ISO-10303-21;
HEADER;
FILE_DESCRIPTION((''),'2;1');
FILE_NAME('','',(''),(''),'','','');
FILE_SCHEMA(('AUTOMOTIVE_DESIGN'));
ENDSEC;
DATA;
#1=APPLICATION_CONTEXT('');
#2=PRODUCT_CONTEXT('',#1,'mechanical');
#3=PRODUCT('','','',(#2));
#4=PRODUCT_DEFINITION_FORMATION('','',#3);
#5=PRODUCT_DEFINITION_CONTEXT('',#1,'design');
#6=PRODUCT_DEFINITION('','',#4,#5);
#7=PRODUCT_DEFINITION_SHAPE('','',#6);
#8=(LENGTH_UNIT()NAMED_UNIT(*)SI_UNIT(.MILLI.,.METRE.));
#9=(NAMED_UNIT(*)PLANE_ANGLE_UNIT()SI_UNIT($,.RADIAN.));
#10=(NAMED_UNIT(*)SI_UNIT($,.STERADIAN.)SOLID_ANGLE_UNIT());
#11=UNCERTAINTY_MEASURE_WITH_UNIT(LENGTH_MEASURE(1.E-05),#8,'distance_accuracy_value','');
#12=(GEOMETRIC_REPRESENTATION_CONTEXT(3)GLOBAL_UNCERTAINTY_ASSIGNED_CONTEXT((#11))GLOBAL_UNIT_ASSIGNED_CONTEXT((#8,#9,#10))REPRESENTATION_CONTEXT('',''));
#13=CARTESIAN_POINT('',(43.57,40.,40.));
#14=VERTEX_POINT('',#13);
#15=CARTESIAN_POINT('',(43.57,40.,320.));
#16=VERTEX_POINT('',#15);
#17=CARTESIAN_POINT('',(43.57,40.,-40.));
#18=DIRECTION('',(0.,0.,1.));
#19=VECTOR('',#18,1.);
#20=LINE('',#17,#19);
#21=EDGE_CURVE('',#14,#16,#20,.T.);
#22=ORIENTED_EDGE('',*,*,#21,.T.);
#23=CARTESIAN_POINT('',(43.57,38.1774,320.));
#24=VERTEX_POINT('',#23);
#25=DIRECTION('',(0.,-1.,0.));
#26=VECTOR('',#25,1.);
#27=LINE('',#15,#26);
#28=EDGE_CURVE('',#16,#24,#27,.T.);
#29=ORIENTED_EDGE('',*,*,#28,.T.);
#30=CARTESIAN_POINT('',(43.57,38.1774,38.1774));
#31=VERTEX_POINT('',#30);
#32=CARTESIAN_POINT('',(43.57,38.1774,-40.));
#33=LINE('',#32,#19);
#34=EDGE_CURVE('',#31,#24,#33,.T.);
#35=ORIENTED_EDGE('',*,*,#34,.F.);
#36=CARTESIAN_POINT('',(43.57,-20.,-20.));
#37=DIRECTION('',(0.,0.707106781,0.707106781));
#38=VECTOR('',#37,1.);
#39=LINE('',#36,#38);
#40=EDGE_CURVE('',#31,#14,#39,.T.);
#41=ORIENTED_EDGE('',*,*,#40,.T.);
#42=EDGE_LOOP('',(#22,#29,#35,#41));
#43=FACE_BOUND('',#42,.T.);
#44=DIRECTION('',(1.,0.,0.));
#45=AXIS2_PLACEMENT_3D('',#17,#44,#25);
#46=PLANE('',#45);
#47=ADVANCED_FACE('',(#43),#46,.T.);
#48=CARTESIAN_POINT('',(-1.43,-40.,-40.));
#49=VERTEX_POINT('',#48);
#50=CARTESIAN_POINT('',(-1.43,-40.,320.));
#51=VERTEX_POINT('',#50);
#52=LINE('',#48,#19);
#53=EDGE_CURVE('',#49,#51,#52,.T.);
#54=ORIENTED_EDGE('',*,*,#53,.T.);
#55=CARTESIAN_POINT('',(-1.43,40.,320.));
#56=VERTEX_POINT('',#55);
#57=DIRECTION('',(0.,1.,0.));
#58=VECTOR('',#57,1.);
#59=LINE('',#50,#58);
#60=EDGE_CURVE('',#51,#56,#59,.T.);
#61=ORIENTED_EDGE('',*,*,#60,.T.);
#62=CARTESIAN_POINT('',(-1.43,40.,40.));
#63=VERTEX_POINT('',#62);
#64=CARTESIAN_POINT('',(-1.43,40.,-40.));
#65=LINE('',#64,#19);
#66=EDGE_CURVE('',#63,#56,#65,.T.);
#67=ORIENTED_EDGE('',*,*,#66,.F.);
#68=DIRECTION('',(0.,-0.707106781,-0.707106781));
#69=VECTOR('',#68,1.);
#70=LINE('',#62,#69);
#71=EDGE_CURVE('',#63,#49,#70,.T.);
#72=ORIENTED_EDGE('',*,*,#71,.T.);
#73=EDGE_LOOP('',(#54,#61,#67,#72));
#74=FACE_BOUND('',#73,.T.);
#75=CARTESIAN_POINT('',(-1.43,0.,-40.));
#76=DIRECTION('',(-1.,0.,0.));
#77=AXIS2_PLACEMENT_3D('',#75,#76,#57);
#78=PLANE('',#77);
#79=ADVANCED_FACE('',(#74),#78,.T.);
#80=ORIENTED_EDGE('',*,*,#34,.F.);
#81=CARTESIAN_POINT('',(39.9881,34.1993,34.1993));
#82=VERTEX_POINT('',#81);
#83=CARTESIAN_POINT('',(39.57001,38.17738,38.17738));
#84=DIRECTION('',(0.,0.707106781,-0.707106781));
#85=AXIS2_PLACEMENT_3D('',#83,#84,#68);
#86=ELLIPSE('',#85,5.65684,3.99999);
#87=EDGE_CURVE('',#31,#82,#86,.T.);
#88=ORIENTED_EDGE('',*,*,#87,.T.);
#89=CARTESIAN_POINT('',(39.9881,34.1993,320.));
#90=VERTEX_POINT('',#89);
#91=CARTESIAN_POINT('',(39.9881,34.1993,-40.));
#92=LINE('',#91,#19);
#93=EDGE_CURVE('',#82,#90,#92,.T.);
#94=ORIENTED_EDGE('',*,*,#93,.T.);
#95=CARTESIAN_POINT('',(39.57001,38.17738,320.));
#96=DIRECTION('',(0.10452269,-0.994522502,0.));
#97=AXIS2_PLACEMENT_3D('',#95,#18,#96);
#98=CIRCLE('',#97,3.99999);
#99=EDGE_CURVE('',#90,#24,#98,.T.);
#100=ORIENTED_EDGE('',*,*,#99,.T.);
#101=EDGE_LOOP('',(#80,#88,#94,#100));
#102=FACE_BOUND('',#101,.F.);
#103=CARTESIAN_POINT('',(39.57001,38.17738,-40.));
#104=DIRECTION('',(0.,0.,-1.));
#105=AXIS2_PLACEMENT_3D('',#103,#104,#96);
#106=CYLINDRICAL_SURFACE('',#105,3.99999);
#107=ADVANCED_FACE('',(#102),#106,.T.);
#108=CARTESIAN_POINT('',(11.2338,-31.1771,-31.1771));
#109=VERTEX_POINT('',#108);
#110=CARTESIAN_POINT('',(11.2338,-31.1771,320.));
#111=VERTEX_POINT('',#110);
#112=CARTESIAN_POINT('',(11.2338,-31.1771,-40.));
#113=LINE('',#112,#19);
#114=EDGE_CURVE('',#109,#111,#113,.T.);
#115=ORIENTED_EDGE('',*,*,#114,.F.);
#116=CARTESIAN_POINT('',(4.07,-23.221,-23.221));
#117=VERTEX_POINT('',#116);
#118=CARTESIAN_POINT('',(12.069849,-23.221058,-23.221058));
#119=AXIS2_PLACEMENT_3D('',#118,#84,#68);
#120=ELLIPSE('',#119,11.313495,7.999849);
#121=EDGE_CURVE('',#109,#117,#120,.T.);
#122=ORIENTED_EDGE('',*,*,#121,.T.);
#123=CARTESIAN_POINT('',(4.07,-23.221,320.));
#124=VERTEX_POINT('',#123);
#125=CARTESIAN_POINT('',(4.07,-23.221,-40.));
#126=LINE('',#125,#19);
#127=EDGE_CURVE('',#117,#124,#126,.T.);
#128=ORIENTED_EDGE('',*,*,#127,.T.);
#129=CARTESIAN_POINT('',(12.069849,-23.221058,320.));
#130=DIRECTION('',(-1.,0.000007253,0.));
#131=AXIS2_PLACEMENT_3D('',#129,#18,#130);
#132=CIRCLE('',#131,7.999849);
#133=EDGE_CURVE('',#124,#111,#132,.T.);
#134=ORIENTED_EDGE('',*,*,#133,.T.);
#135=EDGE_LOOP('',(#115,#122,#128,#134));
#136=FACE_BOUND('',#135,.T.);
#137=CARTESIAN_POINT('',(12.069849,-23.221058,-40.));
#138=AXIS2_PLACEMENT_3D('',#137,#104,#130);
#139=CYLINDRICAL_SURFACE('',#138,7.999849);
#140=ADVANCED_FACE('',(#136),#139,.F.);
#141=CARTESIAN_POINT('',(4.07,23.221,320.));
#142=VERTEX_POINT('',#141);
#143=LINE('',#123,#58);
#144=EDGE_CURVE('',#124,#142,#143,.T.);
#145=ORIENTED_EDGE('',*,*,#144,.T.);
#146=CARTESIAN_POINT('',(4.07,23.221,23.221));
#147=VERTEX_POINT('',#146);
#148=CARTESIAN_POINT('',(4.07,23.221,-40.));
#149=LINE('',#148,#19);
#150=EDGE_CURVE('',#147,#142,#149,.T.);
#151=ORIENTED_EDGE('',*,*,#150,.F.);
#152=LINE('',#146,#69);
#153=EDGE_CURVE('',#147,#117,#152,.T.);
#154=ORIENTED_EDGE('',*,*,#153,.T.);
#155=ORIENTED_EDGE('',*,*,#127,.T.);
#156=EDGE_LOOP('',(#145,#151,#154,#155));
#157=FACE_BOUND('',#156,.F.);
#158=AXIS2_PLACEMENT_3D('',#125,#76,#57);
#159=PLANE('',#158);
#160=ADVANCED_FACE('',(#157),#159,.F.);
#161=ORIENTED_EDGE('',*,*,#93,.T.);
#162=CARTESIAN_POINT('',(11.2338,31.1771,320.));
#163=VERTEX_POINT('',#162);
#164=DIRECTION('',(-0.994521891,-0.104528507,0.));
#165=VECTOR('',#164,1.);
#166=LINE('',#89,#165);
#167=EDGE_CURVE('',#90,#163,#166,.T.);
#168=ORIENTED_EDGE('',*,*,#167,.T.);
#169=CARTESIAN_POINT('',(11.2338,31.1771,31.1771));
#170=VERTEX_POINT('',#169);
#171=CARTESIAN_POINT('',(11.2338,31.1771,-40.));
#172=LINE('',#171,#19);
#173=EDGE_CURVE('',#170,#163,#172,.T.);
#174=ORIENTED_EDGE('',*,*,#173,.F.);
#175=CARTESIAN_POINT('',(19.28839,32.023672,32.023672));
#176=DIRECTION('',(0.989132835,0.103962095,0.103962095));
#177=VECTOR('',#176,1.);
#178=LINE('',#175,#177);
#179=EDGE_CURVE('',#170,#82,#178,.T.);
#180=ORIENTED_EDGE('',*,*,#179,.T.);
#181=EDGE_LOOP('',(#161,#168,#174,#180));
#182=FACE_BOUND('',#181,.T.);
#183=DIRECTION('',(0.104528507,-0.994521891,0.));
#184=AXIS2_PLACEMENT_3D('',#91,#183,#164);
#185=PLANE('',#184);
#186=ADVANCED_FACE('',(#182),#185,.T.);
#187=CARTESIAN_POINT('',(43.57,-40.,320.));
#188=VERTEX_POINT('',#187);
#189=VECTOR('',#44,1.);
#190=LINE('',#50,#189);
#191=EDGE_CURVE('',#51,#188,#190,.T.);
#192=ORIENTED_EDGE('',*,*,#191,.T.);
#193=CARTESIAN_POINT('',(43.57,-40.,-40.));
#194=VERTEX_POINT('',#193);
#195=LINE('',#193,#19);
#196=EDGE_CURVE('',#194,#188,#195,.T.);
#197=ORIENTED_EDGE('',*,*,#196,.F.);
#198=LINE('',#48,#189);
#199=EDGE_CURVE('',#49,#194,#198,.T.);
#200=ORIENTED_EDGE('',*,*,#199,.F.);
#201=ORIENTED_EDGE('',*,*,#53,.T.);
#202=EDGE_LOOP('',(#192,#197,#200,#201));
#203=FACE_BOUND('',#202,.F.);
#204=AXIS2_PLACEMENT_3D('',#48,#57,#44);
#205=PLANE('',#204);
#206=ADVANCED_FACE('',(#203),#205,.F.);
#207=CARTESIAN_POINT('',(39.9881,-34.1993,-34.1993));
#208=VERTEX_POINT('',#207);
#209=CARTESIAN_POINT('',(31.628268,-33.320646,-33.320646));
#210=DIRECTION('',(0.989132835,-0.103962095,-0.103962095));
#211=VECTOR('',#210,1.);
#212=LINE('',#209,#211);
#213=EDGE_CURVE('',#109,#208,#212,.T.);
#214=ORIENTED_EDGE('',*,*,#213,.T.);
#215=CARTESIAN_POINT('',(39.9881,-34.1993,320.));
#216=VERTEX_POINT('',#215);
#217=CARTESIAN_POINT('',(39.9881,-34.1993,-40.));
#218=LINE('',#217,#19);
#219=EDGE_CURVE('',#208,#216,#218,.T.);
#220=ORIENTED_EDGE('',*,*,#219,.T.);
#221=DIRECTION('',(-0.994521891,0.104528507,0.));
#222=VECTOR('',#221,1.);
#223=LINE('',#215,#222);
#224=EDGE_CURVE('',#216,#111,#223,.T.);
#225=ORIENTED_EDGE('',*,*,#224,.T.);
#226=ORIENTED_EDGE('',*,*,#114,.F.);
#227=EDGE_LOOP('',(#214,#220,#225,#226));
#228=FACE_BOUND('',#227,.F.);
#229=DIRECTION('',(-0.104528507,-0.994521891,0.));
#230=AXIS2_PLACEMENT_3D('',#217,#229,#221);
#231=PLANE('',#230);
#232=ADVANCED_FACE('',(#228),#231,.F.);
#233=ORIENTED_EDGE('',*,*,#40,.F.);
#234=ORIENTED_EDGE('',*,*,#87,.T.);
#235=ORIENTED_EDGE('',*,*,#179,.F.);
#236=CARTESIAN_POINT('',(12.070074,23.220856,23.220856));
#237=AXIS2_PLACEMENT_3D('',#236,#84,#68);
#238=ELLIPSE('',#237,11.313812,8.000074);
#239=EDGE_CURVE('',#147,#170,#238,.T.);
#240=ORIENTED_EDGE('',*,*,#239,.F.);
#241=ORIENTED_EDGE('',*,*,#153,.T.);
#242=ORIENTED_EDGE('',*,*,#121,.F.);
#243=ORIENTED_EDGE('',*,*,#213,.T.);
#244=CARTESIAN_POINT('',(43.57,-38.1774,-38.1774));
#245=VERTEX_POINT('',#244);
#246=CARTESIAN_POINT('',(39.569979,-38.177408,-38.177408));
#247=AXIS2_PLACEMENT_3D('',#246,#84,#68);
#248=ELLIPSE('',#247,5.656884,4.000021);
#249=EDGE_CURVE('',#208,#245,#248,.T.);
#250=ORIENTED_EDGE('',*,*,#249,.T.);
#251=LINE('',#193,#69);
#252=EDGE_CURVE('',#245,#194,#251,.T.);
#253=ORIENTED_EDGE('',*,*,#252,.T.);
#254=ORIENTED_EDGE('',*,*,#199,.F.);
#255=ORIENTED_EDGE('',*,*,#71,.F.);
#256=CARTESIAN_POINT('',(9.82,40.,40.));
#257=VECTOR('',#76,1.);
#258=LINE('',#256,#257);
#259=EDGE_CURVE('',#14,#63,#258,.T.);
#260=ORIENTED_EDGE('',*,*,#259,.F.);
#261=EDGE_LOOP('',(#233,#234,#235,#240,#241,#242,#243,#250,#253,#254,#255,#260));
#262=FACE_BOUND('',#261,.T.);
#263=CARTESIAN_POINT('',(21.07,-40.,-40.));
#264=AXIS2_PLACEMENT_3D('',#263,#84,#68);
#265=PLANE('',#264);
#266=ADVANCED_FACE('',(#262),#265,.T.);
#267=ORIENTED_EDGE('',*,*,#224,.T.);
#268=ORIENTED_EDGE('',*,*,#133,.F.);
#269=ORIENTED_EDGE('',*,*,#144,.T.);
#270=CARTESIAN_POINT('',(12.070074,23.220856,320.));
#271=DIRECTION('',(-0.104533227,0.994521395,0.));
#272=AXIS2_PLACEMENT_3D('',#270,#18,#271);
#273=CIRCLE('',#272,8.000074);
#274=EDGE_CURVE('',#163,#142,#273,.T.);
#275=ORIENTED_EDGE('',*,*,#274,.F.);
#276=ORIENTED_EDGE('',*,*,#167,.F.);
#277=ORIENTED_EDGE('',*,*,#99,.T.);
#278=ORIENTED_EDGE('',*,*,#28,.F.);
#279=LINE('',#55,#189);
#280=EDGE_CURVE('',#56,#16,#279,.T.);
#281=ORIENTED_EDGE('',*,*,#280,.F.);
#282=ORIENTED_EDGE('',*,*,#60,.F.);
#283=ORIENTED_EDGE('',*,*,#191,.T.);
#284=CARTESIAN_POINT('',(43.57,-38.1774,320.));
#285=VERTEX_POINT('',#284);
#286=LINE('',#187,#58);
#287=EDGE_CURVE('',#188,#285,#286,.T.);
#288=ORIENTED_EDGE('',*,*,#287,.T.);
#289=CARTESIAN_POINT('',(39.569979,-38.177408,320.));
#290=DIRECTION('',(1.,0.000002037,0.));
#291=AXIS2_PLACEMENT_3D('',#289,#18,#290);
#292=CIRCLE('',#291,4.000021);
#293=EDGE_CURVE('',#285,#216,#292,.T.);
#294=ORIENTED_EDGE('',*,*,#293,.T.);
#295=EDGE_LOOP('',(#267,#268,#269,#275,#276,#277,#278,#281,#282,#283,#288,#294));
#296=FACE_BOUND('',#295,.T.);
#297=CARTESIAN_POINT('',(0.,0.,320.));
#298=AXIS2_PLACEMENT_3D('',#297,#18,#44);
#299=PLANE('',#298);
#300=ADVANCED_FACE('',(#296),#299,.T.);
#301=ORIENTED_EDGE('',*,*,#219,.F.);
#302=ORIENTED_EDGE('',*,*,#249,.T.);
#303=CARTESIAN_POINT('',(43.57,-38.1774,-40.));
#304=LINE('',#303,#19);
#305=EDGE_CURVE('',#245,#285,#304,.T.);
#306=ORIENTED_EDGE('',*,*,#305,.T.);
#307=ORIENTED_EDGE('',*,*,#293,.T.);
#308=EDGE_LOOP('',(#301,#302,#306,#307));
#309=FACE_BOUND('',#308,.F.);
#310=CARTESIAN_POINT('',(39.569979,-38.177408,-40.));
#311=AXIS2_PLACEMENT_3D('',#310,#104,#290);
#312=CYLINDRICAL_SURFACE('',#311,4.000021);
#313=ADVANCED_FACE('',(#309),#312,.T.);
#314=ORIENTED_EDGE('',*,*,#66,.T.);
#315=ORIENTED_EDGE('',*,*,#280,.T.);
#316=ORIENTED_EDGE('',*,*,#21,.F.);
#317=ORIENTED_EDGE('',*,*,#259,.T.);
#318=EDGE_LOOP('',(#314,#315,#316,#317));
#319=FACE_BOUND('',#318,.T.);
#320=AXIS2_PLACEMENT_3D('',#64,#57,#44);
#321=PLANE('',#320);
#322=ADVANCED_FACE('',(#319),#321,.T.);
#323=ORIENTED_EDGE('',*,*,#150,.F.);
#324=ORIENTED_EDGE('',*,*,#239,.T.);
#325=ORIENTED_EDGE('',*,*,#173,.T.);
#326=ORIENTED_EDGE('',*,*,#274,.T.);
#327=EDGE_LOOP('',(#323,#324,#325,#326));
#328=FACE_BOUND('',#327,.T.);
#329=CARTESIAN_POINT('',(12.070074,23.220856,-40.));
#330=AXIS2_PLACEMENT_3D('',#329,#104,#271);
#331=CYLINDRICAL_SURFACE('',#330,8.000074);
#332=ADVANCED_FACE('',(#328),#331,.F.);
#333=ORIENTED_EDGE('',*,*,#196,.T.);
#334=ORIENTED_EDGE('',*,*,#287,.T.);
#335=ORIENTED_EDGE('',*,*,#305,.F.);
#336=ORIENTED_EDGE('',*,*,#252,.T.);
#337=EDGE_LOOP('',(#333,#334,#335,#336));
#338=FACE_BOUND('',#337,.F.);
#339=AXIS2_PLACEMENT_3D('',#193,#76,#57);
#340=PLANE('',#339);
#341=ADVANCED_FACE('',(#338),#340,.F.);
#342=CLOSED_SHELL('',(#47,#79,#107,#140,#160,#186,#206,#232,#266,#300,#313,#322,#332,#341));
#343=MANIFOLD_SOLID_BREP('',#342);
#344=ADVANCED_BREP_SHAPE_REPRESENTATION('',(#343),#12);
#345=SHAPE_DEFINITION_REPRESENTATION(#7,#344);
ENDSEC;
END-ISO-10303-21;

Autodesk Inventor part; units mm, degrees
ref_plane "Начальная плоскость" through (0, 0, -40) normal (0, 0, 1) x (1, 0, 0)
ref_plane "Конечная плоскость" through (0, 0, 320) normal (0, 0, 1) x (1, 0, 0)
sketch "Эскиз" plane through (0, 0, 0) normal (0, 0, 1) x (1, 0, 0)
  line L0 (-1.43, 0) -> (-1.43, 40)
  line L1 (-1.43, 40) -> (43.57, 40)
  line L2 (43.57, 40) -> (43.57, 38.1774)
  line L3 (39.9881, 34.1993) -> (11.2338, 31.1771)
  line L4 (4.07, 23.221) -> (4.07, 0)
  line L5 (4.07, 0) -> (-1.43, 0) construction
  line L6 (23.82, 40) -> (23.82, 32.5) construction
  line L7 (43.57, 34.5758) -> (43.57, 32.5) construction
  line L8 (43.57, 32.5) -> (23.82, 32.5) construction
  line L9 (0, 15) -> (0, -27) construction
  line L10 (-5.539, 0) -> (16.0067, 0) construction
  line L11 (-1.43, 0) -> (-1.43, -40)
  line L12 (-1.43, -40) -> (43.57, -40)
  line L13 (43.57, -40) -> (43.57, -38.1774)
  line L14 (39.9881, -34.1993) -> (11.2338, -31.1771)
  line L15 (4.07, -23.221) -> (4.07, 0)
  arc A0 (11.2338, 31.1771) -> (4.07, 23.221) centre (12.07, 23.221) ccw
  arc A1 (4.07, -23.221) -> (11.2338, -31.1771) centre (12.07, -23.221) ccw
  arc A2 (39.9881, 34.1993) -> (43.57, 38.1774) centre (39.57, 38.1774) ccw
  arc A3 (43.57, -38.1774) -> (39.9881, -34.1993) centre (39.57, -38.1774) ccw
  line L16 (0, 56) -> (0, -56) construction
  line L17 (-15.5135, 0) -> (54.308, 0) construction
  point P0 (4.07, 30.4242)
  point P1 (43.57, -34.5758)
  point P2 (4.07, -30.4242)
  point P3 (23.82, -40)
  point P4 (23.82, -32.5)
  dimension "d0" = 5.5
  dimension "d1" = 40
  dimension "d2" = 45
  dimension "d3" = 7.5
  dimension "d4" = 19.75
  dimension "d5" = 2.0758
  dimension "d23" = 8
  dimension "d24" = 4
  dimension "d25" = 1.43
extrude "Тело" add sketch "Эскиз" along normal up to surface (360 mm away) from surface at -40
sketch "Sketch3" plane through (0, 0, 0) normal (0, 0, 1) x (1, 0, 0)
  line L0 (0, 0) -> (10, 0)
ref_plane "Work Plane3" through (0, 0, 0) normal (0, -1, 0) x (1, 0, 0)
sketch "Sketch4" plane through (0, 0, 0) normal (0, -1, 0) x (1, 0, 0)
  line L0 (-2, -40) -> (12, -40)
  line L1 (-2, 320) -> (12, 320)
  dimension "d29" = 360
ref_plane "РабПлоскость4" through (21.07, -40, -40) normal (0, 0.7071, -0.7071) x (1, 0, 0)
split "Разделение1" plane through (21.07, -40, -40) removes the side toward (0, 0.7071, -0.7071)
equation "\"d0\" = G_T"
equation "\"d1\" = 0.5 * G_H"
equation "\"d2\" = G_W"
equation "\"d3\" = G_T1"
equation "\"d4\" = G_C"
equation "\"d23\" = G_IR"
equation "\"d24\" = G_ER"
equation "\"d25\" = ex"
equation "\"d6\" = G_L"
equation "\"G_W\" = 45"
equation "\"G_T\" = 5.5"
equation "\"G_T1\" = 7.5"
equation "\"G_NG\" = 0.105104"
equation "\"G_ER\" = 4"
equation "\"G_IR\" = 8"
equation "\"G_C\" = 19.75"
equation "\"G_L\" = d29"
equation "\"ex\" = 1.43"
equation "\"G_OFFSET_END\" = 0"
equation "\"G_H\" = 80"
properties part number "ISO 657/11 - CH 80 x 8 - 360" material "Сталь, мягкая"
